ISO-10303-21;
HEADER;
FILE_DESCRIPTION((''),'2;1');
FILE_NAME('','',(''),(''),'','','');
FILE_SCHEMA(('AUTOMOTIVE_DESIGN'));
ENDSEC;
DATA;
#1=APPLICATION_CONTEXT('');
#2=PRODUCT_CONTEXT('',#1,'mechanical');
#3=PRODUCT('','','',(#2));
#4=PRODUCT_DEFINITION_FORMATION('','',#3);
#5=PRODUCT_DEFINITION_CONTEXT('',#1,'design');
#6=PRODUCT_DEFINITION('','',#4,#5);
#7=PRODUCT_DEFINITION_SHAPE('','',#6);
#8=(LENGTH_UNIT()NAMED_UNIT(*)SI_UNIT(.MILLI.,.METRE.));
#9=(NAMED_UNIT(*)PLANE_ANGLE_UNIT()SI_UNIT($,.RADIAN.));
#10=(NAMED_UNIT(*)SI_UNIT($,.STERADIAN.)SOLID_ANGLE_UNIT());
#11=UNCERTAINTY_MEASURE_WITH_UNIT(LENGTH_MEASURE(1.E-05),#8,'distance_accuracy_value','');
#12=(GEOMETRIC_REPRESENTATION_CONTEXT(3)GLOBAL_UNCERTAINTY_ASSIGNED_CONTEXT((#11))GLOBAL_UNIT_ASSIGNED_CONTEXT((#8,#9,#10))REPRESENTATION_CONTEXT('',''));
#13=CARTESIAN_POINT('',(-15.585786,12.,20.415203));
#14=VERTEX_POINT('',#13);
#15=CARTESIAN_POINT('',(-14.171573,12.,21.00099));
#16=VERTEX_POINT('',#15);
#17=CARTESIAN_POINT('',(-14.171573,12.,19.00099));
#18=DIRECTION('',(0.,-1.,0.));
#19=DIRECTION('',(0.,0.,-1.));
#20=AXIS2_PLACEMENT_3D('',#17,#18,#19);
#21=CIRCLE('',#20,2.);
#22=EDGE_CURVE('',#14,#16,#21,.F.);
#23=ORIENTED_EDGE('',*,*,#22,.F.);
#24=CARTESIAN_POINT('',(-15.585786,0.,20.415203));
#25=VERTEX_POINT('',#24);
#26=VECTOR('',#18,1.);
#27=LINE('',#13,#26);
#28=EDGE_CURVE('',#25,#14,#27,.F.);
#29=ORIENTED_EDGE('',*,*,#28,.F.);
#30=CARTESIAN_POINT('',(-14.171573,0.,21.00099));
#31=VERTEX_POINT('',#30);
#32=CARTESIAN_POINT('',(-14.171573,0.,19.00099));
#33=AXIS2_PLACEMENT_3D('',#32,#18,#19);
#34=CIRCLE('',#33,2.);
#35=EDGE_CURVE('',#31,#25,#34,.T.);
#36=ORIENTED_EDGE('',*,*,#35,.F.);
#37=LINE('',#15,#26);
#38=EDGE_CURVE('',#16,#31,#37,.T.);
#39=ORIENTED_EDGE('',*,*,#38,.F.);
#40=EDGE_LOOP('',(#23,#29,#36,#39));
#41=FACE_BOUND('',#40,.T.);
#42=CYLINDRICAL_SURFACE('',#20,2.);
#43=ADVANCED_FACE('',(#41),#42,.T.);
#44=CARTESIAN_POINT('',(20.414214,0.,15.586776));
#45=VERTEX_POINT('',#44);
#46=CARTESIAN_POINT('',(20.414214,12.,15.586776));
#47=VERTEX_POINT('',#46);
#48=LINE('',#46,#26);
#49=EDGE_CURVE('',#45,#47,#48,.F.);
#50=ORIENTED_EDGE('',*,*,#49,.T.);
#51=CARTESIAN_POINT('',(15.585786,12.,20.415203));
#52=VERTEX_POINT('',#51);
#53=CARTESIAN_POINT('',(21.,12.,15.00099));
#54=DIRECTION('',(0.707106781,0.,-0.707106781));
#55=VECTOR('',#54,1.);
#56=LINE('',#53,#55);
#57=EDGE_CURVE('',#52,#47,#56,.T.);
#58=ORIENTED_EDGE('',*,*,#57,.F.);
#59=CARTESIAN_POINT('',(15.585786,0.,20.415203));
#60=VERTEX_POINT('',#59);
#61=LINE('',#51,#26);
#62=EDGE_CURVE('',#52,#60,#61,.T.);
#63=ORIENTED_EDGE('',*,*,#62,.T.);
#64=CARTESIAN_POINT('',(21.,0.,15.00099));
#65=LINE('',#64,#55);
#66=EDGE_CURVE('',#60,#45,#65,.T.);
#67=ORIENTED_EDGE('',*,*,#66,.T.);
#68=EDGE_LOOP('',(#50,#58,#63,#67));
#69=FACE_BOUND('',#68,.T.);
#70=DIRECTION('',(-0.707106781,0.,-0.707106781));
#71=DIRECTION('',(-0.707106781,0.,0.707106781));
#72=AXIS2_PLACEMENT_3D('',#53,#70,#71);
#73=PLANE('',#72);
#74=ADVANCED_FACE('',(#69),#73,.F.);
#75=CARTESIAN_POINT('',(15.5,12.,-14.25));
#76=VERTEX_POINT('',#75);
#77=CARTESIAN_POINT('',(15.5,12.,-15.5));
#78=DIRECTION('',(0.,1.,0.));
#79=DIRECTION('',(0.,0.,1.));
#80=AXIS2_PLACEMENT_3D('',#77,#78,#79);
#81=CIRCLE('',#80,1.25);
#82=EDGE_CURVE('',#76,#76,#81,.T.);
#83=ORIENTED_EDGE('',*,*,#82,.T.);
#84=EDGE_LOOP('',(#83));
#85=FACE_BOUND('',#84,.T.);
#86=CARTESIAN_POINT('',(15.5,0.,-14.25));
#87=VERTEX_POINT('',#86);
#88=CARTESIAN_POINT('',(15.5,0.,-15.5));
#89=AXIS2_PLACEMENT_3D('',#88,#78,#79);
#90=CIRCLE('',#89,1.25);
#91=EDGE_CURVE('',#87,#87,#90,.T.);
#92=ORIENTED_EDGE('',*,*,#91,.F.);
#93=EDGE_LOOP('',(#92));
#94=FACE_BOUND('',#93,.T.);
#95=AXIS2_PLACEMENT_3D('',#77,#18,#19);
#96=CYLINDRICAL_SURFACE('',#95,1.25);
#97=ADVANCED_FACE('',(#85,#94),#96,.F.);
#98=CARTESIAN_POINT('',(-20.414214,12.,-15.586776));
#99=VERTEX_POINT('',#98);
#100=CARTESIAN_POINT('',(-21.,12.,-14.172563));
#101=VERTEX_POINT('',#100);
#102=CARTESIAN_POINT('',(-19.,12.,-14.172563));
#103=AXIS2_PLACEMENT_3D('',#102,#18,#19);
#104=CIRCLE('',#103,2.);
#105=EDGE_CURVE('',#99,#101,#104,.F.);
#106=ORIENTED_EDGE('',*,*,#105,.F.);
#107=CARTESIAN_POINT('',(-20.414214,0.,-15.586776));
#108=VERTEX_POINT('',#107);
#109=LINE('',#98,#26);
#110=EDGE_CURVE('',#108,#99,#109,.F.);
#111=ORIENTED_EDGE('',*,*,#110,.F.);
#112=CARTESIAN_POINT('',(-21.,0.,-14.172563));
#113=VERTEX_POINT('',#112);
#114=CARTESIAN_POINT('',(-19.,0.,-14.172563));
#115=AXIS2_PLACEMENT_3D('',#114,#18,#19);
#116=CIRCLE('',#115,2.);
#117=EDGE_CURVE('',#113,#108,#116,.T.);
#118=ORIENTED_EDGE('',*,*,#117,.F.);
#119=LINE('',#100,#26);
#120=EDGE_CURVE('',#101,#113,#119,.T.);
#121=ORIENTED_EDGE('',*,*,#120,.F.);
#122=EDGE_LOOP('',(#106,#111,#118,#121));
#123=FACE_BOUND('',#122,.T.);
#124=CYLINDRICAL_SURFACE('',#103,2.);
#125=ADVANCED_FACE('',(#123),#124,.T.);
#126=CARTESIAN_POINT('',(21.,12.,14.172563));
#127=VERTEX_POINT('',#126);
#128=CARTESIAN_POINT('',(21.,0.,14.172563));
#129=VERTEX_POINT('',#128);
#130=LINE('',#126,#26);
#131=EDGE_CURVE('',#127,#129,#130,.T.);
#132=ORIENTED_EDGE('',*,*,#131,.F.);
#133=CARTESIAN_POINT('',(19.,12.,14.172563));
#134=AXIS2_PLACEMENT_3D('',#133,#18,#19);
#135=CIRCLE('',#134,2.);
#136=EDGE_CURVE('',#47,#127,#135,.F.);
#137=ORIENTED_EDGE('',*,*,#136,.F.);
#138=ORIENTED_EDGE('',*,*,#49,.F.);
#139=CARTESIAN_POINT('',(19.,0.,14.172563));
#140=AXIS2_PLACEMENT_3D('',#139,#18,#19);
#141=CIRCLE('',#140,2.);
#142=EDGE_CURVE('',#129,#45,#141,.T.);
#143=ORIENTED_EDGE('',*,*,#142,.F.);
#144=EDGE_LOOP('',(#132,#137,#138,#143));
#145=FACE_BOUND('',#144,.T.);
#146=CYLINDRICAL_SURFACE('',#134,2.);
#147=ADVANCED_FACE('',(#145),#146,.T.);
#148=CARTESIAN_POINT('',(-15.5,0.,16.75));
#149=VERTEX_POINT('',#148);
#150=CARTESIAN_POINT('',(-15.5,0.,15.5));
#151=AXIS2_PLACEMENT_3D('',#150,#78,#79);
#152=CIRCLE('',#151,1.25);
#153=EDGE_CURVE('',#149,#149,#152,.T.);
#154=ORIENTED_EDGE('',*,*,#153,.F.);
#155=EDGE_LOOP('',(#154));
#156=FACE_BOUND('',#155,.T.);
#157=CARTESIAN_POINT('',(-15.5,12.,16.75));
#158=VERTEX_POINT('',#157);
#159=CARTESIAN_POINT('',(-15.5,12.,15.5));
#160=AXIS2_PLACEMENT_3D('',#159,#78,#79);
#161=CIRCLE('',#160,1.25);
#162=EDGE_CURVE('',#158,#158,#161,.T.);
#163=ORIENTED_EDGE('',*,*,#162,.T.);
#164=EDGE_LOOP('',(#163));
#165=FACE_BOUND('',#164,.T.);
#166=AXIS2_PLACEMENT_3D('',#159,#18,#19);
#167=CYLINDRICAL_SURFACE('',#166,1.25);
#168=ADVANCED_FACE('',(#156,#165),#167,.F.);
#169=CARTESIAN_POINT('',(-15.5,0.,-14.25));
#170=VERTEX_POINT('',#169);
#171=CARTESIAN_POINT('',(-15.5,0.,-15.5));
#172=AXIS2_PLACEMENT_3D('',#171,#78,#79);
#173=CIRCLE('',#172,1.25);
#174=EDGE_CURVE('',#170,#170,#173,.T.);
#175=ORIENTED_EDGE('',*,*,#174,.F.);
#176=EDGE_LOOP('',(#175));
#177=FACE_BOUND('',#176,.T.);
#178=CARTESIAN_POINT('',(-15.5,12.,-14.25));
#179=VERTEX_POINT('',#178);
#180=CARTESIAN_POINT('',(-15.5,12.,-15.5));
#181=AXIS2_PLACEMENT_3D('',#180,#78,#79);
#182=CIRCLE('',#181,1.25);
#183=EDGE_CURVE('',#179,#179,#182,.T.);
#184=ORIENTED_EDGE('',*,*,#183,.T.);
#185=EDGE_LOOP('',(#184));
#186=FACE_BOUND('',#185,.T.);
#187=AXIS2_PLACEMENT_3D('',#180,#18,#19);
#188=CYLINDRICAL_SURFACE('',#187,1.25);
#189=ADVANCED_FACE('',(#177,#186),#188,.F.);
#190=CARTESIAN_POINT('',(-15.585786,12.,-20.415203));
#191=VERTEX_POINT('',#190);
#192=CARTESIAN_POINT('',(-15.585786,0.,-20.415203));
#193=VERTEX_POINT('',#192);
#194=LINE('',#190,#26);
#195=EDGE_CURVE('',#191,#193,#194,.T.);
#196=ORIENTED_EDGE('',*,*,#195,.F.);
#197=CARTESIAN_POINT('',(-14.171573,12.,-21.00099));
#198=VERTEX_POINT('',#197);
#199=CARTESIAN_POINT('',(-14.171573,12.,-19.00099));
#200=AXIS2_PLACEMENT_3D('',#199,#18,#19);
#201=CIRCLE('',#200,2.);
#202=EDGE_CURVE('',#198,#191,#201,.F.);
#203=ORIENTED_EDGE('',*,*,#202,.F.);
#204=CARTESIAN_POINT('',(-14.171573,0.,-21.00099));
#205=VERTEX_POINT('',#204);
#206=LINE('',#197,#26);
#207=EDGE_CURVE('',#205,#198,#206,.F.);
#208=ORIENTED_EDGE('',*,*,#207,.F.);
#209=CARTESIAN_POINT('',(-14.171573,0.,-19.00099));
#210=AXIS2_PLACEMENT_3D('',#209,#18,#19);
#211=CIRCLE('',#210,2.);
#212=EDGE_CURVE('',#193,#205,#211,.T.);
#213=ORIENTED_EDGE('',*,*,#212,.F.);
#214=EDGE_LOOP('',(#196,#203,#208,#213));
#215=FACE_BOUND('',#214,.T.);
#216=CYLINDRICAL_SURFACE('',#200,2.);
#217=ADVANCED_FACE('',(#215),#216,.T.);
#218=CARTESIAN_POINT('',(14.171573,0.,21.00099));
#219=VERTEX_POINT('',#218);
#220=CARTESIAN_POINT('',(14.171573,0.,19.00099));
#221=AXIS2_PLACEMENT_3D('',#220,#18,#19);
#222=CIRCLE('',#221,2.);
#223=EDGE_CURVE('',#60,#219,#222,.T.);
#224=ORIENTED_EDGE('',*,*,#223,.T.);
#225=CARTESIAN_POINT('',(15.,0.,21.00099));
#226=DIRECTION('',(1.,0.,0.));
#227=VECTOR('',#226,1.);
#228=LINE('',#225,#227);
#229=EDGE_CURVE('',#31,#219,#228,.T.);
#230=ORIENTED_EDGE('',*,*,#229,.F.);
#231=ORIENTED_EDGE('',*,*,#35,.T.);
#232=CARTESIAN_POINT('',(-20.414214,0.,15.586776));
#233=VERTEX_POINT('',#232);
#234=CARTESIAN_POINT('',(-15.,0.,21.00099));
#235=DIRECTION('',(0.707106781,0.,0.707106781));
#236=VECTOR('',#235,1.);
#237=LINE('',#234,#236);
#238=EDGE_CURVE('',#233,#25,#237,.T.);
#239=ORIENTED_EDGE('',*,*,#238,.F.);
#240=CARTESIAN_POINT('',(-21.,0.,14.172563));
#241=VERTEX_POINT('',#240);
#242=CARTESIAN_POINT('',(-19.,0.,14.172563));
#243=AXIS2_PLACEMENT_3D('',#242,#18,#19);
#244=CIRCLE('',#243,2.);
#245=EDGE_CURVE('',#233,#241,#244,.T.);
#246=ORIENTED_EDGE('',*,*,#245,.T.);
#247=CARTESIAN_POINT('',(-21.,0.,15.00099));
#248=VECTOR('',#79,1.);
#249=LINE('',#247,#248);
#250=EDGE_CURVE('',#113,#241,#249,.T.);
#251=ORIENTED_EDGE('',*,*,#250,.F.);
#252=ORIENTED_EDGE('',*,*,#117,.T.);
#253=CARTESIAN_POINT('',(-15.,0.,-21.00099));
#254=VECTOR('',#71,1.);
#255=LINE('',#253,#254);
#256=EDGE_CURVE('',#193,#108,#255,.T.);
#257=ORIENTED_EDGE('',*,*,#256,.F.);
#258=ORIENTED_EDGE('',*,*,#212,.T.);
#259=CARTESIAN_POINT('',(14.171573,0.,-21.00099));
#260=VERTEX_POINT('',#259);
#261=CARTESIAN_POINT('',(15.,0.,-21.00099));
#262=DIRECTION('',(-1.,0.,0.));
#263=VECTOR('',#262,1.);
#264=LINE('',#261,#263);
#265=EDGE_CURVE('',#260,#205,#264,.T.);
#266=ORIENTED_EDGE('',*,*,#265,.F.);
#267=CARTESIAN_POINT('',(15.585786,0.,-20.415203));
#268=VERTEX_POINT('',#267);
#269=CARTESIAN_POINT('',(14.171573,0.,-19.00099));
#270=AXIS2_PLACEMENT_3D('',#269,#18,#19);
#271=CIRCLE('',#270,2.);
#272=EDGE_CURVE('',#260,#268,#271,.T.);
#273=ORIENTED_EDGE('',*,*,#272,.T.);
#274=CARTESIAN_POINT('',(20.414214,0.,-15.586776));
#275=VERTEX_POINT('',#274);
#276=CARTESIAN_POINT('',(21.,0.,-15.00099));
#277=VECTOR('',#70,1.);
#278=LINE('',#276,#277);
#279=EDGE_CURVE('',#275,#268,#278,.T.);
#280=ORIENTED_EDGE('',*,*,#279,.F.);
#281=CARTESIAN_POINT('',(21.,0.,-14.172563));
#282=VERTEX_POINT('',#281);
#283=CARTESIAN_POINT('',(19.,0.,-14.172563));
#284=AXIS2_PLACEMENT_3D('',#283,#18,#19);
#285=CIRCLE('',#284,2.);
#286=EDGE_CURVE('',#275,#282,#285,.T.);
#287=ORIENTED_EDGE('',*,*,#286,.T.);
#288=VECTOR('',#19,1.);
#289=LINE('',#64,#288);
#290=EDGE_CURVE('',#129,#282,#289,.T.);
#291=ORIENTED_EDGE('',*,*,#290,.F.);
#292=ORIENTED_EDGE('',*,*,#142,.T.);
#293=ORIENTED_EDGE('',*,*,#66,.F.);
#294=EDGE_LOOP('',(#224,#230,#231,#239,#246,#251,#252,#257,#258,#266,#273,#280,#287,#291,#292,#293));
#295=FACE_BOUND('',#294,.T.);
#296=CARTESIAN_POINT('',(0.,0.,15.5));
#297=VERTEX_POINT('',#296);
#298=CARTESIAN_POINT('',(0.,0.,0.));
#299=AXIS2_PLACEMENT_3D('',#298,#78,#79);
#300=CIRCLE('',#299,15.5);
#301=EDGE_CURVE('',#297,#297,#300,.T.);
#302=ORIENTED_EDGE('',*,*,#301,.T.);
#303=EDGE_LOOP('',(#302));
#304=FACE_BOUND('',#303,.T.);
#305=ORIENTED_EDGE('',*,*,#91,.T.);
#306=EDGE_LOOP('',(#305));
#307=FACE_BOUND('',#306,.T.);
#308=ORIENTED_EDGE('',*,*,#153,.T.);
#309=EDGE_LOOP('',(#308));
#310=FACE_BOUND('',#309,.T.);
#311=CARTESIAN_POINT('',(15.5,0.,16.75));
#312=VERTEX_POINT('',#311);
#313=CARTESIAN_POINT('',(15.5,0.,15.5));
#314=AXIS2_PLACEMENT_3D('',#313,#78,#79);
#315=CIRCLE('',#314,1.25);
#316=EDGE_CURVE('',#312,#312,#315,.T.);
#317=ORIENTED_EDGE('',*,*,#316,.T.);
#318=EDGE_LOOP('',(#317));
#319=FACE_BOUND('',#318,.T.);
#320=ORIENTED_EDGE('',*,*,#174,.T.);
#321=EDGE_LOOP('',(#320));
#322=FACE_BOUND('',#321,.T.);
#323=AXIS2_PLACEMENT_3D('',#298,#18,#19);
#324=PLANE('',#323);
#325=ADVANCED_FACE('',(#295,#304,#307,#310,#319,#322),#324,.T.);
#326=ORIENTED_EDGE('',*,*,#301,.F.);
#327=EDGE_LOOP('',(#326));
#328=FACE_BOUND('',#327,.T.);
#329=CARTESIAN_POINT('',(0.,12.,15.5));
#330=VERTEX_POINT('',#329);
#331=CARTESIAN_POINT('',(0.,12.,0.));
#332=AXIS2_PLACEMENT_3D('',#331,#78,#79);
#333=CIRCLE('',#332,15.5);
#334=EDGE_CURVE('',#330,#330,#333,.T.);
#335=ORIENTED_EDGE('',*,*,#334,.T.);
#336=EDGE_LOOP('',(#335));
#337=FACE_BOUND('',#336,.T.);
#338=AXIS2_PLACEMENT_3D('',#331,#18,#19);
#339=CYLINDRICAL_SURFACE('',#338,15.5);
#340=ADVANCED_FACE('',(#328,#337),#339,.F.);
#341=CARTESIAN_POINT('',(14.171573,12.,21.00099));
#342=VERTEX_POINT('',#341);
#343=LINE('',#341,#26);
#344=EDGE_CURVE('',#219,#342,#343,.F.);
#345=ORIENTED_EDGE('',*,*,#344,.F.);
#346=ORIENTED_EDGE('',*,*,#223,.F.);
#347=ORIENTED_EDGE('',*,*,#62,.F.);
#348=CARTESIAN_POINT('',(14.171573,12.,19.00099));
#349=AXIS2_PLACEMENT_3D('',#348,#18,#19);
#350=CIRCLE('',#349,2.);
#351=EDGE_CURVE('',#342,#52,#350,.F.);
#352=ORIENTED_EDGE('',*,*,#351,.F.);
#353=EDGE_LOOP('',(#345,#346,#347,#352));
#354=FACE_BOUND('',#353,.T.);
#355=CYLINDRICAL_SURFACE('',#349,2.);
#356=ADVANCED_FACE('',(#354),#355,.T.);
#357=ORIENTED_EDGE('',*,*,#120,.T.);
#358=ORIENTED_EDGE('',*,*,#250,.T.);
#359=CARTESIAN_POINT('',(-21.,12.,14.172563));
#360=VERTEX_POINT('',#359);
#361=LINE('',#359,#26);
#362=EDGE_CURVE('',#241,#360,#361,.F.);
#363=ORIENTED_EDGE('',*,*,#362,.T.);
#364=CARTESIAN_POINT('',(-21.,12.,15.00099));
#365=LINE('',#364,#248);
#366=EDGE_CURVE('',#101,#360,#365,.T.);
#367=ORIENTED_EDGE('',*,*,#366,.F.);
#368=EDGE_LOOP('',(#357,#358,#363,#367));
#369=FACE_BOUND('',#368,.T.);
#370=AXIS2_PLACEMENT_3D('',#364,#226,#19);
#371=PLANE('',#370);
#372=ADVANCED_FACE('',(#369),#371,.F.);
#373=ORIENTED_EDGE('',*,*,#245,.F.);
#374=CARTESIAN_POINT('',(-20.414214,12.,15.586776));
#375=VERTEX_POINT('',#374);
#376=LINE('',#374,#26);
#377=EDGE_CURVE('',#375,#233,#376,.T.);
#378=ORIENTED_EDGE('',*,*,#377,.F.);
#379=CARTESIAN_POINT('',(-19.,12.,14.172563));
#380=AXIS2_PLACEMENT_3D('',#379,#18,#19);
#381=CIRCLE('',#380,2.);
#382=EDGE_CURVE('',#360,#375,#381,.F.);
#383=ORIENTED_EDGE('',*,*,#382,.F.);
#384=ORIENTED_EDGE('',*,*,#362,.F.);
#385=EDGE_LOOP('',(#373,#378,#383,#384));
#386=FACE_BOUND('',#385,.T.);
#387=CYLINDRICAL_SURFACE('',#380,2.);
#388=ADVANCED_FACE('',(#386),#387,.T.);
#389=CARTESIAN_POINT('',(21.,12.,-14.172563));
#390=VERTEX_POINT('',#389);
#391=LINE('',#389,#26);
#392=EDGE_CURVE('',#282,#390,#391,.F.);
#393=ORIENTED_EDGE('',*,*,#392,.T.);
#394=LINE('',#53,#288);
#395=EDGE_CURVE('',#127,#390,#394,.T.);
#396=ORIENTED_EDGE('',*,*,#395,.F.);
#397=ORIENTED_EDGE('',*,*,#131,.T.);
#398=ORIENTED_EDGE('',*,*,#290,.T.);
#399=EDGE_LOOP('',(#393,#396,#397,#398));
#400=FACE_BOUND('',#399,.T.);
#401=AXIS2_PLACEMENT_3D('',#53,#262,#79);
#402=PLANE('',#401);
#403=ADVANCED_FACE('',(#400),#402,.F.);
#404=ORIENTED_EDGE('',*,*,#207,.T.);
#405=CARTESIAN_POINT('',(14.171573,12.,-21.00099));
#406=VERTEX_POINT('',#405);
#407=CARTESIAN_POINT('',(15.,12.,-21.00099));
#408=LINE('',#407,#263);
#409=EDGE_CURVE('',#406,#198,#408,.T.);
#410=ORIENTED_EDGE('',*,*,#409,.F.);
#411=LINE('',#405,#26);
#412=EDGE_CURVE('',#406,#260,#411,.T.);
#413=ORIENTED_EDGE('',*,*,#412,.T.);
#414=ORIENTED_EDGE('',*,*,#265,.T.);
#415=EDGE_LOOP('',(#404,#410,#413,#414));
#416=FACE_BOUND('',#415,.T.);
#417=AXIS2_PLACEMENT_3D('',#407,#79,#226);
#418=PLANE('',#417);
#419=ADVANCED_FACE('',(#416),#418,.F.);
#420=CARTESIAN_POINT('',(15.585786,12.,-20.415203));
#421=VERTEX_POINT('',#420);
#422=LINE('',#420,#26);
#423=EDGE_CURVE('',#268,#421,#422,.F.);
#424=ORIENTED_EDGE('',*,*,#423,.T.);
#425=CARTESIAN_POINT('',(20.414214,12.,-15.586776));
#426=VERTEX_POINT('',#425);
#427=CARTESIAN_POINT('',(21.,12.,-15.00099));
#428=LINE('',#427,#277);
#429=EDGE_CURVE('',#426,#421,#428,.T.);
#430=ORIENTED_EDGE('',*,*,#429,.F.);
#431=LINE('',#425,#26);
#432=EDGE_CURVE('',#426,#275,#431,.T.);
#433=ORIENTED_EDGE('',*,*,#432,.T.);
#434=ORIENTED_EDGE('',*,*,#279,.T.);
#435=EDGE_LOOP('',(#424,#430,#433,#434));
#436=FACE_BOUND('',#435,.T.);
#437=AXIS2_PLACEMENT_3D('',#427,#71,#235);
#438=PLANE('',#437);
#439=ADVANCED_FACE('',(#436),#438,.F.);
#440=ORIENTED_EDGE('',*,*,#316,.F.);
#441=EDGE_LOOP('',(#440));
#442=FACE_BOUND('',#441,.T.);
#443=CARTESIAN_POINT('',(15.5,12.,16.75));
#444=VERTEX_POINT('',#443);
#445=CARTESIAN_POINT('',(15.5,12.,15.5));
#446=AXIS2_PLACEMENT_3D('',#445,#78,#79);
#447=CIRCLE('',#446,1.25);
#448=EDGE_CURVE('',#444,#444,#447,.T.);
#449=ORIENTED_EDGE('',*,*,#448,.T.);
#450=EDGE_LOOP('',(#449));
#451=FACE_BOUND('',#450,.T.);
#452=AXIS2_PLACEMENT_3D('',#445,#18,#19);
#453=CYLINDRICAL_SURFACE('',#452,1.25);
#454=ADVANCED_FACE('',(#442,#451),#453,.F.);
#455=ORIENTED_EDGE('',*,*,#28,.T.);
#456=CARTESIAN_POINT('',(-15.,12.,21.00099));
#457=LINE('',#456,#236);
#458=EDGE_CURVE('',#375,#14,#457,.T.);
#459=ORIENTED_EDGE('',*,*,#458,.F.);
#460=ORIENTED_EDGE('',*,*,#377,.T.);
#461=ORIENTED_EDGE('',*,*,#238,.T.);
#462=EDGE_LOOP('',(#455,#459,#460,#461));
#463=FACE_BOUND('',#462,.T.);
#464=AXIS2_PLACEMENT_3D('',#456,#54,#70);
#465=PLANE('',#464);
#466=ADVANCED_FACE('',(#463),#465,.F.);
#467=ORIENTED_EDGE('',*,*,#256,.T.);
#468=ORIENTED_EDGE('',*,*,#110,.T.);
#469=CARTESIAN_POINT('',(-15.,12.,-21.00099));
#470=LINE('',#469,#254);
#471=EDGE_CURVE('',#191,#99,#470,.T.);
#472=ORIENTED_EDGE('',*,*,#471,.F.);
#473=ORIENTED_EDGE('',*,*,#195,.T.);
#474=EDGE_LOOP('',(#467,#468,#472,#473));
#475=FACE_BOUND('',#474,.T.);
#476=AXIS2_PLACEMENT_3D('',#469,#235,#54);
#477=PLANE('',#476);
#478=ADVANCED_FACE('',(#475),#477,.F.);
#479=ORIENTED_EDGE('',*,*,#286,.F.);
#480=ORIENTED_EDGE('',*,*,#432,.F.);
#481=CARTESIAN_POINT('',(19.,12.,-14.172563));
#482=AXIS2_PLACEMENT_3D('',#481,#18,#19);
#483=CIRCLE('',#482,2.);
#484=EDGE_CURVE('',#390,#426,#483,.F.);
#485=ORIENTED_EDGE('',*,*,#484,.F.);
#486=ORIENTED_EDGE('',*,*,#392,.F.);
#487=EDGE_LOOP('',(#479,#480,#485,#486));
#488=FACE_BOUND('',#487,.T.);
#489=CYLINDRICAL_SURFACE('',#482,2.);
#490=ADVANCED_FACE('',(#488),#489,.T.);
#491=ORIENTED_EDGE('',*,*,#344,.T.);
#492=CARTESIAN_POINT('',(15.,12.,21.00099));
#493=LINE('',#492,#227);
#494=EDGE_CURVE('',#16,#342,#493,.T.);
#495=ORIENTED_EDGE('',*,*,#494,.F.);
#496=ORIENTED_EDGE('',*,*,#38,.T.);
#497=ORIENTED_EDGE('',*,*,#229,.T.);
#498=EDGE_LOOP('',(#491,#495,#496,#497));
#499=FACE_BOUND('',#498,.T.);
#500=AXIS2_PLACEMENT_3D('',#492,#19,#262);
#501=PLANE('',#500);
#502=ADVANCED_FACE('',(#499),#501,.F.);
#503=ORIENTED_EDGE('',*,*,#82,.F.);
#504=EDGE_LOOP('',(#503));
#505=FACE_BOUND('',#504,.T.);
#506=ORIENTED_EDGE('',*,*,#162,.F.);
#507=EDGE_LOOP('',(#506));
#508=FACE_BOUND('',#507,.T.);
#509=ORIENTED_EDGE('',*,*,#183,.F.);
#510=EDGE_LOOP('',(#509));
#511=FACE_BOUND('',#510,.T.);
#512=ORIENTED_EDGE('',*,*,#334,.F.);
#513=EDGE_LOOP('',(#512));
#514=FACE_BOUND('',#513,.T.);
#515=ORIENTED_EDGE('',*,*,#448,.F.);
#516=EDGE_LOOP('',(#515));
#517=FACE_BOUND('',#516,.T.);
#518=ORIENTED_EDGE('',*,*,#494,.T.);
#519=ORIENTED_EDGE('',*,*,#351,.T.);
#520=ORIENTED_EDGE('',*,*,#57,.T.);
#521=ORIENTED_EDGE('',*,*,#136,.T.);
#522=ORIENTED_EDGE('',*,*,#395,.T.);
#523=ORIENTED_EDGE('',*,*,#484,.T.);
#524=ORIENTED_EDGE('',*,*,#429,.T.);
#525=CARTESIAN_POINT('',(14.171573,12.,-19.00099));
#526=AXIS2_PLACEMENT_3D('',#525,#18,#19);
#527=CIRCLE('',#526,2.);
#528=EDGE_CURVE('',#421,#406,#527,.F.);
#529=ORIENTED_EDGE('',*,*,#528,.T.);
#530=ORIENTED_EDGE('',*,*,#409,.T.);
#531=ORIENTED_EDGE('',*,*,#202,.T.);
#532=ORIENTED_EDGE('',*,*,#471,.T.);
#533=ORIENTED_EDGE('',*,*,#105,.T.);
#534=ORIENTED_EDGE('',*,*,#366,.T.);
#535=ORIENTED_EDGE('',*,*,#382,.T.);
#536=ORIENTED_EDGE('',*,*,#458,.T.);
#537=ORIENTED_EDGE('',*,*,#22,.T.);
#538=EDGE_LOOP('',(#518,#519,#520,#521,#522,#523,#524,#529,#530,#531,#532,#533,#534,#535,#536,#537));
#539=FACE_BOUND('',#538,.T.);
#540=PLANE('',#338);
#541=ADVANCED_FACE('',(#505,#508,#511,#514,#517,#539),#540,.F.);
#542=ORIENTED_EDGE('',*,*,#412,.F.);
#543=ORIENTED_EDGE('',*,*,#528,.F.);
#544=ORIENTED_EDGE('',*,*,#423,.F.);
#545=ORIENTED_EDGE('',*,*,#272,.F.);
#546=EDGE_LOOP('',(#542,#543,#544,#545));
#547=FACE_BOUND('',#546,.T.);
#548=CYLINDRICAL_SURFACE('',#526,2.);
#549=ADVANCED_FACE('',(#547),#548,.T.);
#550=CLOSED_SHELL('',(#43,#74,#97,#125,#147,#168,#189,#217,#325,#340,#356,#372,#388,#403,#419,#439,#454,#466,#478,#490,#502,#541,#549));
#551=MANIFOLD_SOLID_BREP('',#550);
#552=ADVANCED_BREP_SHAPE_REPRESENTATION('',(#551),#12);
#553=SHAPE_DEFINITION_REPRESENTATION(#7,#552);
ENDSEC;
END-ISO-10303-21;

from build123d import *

# Parameters (mm, degrees)
SKETCH1_R           = 15.5
SKETCH1_R_2         = 1.25
BOSS_EXTRUDE2_DEPTH = 12
FILLET1_R           = 2


with BuildPart() as part:
    # Sketch1 → Boss-Extrude2 (new body)
    with BuildSketch(Plane(origin=(0, 0, 0), x_dir=(1, 0, 0), z_dir=(0, 1, 0))):
        Polygon((-15, 21.000989792), (-21, 15.000989792), (-21, -15.000989792), (-15, -21.000989792), (15, -21.000989792), (21, -15.000989792), (21, 15.000989792), (15, 21.000989792), align=None)
        with Locations(Location((0, 0, 0), (0, 0, 270))):
            Circle(SKETCH1_R, mode=Mode.SUBTRACT)
        with Locations(Location((-15.5, 15.5, 0), (0, 0, 270))):
            Circle(SKETCH1_R_2, mode=Mode.SUBTRACT)
        with Locations(Location((15.5, 15.5, 0), (0, 0, 270))):
            Circle(SKETCH1_R_2, mode=Mode.SUBTRACT)
        with Locations(Location((-15.5, -15.5, 0), (0, 0, 270))):
            Circle(SKETCH1_R_2, mode=Mode.SUBTRACT)
        with Locations(Location((15.5, -15.5, 0), (0, 0, 270))):
            Circle(SKETCH1_R_2, mode=Mode.SUBTRACT)
    extrude(amount=BOSS_EXTRUDE2_DEPTH)

    # Fillet1
    fillet1_edges = [part.edges().sort_by_distance(p)[0] for p in [
        (15, 6, -21.000989792),
        (21, 6, -15.000989792),
        (21, 6, 15.000989792),
        (15, 6, 21.000989792),
        (-15, 6, 21.000989792),
        (-21, 6, 15.000989792),
        (-21, 6, -15.000989792),
        (-15, 6, -21.000989792),
    ]]
    fillet(fillet1_edges, radius=FILLET1_R)


solid = part.part
